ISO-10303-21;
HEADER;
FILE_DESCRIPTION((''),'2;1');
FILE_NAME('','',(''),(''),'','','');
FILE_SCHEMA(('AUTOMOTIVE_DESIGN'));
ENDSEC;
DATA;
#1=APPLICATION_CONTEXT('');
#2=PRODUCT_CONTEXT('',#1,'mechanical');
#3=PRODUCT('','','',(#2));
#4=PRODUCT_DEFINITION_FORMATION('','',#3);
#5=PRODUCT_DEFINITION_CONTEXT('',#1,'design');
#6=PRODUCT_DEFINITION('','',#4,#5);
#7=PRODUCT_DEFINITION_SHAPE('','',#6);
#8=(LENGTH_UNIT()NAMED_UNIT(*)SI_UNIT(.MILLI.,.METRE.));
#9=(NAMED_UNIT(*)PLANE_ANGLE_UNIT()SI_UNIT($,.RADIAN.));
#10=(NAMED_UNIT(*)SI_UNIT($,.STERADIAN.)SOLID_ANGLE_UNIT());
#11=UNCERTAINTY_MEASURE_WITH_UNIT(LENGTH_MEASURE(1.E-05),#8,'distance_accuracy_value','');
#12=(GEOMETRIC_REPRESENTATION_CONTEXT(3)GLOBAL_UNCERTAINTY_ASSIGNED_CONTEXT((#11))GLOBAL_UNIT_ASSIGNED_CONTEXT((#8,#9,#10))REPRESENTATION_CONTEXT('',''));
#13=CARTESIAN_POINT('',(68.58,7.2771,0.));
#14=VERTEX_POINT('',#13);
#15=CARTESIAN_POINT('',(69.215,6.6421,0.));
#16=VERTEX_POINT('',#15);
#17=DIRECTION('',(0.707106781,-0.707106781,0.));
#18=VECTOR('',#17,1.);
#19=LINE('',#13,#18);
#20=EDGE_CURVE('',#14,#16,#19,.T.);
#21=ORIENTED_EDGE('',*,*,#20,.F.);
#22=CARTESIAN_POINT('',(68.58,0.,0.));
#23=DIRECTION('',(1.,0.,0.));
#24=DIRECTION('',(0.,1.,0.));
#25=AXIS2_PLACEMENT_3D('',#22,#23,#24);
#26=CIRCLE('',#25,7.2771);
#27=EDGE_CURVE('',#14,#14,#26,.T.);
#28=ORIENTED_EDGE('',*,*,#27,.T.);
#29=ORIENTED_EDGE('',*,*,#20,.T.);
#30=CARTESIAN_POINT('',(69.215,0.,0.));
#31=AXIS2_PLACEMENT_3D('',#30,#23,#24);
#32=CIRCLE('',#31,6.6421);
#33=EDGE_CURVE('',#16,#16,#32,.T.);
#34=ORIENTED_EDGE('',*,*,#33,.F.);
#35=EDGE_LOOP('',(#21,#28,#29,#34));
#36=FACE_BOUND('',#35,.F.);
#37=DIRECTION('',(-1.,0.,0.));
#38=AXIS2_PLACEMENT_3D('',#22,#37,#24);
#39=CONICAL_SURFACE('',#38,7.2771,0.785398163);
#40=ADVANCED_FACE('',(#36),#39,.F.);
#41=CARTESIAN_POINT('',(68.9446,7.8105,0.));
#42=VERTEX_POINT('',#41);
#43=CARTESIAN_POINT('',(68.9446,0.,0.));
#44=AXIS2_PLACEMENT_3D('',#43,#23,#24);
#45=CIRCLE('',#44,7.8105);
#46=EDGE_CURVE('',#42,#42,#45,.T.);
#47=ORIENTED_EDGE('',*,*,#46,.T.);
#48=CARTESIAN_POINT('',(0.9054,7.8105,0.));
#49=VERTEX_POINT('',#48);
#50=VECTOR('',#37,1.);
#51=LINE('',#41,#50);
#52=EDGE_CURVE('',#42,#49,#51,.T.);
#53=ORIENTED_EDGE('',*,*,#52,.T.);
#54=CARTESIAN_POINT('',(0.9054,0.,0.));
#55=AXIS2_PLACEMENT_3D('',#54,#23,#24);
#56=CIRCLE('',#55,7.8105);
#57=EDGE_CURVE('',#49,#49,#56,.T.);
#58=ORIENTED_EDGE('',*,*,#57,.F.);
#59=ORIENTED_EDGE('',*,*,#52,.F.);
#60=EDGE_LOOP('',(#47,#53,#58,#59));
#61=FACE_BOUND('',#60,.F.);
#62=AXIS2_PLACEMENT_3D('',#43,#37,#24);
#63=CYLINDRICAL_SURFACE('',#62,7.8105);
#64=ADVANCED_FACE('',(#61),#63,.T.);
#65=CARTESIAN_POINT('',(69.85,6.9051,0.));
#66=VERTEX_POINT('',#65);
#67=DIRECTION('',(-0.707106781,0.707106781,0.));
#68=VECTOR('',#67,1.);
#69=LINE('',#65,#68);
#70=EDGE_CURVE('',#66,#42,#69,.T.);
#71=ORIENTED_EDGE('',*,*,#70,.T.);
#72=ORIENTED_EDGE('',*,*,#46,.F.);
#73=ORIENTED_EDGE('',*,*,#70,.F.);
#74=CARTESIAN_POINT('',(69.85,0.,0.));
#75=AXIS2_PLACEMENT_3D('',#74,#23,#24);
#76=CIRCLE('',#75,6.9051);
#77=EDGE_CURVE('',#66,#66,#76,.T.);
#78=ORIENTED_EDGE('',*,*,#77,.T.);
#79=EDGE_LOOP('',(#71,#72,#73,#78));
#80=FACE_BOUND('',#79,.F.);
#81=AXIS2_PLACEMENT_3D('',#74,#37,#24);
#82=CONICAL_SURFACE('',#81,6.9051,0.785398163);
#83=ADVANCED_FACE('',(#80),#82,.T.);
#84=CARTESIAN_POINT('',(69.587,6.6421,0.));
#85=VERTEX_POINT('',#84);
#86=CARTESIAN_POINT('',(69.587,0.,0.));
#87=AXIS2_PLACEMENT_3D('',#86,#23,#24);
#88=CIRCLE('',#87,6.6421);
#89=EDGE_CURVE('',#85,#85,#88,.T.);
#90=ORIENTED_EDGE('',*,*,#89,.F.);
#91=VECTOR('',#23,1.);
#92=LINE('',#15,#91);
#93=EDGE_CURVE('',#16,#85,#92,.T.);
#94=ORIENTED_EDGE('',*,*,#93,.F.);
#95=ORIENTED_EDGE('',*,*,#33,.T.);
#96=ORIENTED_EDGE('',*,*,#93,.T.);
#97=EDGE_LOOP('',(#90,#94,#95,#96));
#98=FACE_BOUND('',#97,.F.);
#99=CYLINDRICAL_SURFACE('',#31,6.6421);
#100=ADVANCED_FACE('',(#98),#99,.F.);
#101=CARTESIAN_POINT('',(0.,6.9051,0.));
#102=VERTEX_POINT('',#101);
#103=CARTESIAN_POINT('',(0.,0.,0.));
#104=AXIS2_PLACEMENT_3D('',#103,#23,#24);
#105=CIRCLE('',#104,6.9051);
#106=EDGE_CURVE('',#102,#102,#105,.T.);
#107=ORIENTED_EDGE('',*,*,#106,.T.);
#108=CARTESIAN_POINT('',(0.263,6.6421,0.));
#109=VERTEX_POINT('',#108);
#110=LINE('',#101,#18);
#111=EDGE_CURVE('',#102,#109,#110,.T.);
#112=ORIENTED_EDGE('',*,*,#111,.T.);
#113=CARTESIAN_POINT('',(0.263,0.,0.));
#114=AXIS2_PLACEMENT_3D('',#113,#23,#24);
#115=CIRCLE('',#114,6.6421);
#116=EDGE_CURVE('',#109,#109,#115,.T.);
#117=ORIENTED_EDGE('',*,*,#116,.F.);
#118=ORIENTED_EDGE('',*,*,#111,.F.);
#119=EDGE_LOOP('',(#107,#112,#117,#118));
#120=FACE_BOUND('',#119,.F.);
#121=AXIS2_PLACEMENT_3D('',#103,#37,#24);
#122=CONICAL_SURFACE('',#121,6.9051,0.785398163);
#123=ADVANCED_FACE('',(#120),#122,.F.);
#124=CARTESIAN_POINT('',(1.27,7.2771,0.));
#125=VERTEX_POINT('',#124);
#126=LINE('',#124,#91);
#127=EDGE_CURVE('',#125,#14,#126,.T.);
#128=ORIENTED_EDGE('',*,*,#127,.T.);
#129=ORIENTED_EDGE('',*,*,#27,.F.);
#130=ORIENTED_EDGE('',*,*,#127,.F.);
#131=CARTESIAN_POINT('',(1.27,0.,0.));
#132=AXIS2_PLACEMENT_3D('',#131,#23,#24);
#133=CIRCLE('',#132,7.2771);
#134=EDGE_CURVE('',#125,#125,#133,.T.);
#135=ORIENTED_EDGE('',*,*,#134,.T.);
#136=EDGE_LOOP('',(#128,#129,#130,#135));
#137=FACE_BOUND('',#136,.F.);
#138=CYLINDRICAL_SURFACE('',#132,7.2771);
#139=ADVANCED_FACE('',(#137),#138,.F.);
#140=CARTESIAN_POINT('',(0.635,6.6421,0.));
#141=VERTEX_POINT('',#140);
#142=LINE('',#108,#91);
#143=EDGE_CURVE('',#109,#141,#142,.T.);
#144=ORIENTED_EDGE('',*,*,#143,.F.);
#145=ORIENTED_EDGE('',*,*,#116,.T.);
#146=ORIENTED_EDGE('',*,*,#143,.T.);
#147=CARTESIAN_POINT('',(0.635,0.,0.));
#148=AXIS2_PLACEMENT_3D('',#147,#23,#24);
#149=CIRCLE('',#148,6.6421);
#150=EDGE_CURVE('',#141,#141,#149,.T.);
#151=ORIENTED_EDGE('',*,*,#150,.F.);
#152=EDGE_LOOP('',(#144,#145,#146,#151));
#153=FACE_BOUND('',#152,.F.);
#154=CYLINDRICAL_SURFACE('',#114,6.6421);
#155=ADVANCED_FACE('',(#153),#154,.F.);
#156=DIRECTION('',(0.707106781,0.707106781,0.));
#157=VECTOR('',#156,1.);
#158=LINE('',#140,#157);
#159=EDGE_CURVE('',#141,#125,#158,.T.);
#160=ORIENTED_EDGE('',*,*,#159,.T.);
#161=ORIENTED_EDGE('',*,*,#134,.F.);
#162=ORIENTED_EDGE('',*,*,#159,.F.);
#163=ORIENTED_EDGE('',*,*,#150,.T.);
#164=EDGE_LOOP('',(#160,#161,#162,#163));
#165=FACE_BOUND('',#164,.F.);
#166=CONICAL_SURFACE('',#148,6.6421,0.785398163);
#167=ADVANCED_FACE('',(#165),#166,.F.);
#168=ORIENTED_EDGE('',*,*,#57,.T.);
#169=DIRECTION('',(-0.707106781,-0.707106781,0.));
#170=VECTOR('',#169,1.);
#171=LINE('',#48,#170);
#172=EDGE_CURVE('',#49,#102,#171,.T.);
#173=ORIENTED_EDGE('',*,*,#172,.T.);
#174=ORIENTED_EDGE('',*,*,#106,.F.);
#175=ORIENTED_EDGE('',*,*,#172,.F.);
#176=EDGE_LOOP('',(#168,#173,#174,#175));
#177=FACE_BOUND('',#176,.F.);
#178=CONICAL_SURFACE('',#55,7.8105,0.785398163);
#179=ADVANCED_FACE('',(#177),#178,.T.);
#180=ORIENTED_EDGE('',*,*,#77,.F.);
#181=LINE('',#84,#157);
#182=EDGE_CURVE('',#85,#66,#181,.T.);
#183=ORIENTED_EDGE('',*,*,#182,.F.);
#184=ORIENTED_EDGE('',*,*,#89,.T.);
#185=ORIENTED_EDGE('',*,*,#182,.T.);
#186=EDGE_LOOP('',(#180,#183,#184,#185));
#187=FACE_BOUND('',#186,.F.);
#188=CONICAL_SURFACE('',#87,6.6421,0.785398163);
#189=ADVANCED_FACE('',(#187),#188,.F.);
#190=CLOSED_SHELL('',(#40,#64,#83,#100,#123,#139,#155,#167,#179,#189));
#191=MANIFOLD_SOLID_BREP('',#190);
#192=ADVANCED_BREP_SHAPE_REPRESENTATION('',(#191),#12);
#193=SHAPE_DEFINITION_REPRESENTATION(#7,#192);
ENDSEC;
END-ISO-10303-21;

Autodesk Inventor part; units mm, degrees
sketch "Sketch_5" plane through (0, 0, 0) normal (0, 0, 1) x (1, 0, 0)
  line L0 (69.85, 0) -> (-69.85, 0)
  line L1 (0, 6.9051) -> (0.263, 6.6421)
  line L2 (0.263, 6.6421) -> (0.635, 6.6421)
  line L3 (0.635, 6.6421) -> (1.27, 7.2771)
  line L4 (1.27, 7.2771) -> (68.58, 7.2771)
  line L5 (68.58, 7.2771) -> (69.215, 6.6421)
  line L6 (69.215, 6.6421) -> (69.587, 6.6421)
  line L7 (69.587, 6.6421) -> (69.85, 6.9051)
  line L8 (69.85, 6.9051) -> (68.9446, 7.8105)
  line L9 (68.9446, 7.8105) -> (0.9054, 7.8105)
  line L10 (0.9054, 7.8105) -> (0, 6.9051)
revolve "Revolution1" add sketch "Sketch_5" angle 360 about axis through (69.85, 0, 0) along (1, 0, 0)
ref_plane "o1_XY" through (0, -7.8105, 0) normal (1, 0, 0) x (0, 0, -1)
ref_plane "o1_YZ" through (0, -7.8105, 0) normal (0, 0, -1) x (0, 1, 0)
ref_plane "o1_ZX" through (0, -7.8105, 0) normal (0, 1, 0) x (1, 0, 0)
ref_plane "o2_XY" through (0, 7.8105, 0) normal (1, 0, 0) x (0, 0, -1)
ref_plane "o2_YZ" through (0, 7.8105, 0) normal (0, 0, -1) x (0, 1, 0)
ref_plane "o2_ZX" through (0, 7.8105, 0) normal (0, 1, 0) x (1, 0, 0)
ref_plane "t1_XY" through (34.925, 7.8105, 0) normal (1, 0, 0) x (0, 0, -1)
ref_plane "t1_YZ" through (34.925, 7.8105, 0) normal (0, 0, -1) x (0, 1, 0)
ref_plane "t1_ZX" through (34.925, 7.8105, 0) normal (0, 1, 0) x (1, 0, 0)
ref_plane "t2_XY" through (34.925, 0, -7.8105) normal (1, 0, 0) x (0, 0, -1)
ref_plane "t2_YZ" through (34.925, 0, -7.8105) normal (0, 0, -1) x (0, 1, 0)
ref_plane "t2_ZX" through (34.925, 0, -7.8105) normal (0, 1, 0) x (1, 0, 0)
ref_plane "t3_XY" through (34.925, -7.8105, 0) normal (1, 0, 0) x (0, 0, -1)
ref_plane "t3_YZ" through (34.925, -7.8105, 0) normal (0, 0, -1) x (0, 1, 0)
ref_plane "t3_ZX" through (34.925, -7.8105, 0) normal (0, 1, 0) x (1, 0, 0)
ref_plane "t4_XY" through (34.925, 0, 7.8105) normal (1, 0, 0) x (0, 0, -1)
ref_plane "t4_YZ" through (34.925, 0, 7.8105) normal (0, 0, -1) x (0, 1, 0)
ref_plane "t4_ZX" through (34.925, 0, 7.8105) normal (0, 1, 0) x (1, 0, 0)
ref_plane "tube1_XY" through (1.27, 0, 0) normal (1, 0, 0) x (0, 0, -1)
ref_plane "tube1_YZ" through (1.27, 0, 0) normal (0, 0, -1) x (0, 1, 0)
ref_plane "tube1_ZX" through (1.27, 0, 0) normal (0, 1, 0) x (1, 0, 0)
ref_plane "tube2_XY" through (68.58, 0, 0) normal (1, 0, 0) x (0, 0, -1)
ref_plane "tube2_YZ" through (68.58, 0, 0) normal (0, 0, -1) x (0, 1, 0)
ref_plane "tube2_ZX" through (68.58, 0, 0) normal (0, 1, 0) x (1, 0, 0)
properties part number "D-7516-2.75"
